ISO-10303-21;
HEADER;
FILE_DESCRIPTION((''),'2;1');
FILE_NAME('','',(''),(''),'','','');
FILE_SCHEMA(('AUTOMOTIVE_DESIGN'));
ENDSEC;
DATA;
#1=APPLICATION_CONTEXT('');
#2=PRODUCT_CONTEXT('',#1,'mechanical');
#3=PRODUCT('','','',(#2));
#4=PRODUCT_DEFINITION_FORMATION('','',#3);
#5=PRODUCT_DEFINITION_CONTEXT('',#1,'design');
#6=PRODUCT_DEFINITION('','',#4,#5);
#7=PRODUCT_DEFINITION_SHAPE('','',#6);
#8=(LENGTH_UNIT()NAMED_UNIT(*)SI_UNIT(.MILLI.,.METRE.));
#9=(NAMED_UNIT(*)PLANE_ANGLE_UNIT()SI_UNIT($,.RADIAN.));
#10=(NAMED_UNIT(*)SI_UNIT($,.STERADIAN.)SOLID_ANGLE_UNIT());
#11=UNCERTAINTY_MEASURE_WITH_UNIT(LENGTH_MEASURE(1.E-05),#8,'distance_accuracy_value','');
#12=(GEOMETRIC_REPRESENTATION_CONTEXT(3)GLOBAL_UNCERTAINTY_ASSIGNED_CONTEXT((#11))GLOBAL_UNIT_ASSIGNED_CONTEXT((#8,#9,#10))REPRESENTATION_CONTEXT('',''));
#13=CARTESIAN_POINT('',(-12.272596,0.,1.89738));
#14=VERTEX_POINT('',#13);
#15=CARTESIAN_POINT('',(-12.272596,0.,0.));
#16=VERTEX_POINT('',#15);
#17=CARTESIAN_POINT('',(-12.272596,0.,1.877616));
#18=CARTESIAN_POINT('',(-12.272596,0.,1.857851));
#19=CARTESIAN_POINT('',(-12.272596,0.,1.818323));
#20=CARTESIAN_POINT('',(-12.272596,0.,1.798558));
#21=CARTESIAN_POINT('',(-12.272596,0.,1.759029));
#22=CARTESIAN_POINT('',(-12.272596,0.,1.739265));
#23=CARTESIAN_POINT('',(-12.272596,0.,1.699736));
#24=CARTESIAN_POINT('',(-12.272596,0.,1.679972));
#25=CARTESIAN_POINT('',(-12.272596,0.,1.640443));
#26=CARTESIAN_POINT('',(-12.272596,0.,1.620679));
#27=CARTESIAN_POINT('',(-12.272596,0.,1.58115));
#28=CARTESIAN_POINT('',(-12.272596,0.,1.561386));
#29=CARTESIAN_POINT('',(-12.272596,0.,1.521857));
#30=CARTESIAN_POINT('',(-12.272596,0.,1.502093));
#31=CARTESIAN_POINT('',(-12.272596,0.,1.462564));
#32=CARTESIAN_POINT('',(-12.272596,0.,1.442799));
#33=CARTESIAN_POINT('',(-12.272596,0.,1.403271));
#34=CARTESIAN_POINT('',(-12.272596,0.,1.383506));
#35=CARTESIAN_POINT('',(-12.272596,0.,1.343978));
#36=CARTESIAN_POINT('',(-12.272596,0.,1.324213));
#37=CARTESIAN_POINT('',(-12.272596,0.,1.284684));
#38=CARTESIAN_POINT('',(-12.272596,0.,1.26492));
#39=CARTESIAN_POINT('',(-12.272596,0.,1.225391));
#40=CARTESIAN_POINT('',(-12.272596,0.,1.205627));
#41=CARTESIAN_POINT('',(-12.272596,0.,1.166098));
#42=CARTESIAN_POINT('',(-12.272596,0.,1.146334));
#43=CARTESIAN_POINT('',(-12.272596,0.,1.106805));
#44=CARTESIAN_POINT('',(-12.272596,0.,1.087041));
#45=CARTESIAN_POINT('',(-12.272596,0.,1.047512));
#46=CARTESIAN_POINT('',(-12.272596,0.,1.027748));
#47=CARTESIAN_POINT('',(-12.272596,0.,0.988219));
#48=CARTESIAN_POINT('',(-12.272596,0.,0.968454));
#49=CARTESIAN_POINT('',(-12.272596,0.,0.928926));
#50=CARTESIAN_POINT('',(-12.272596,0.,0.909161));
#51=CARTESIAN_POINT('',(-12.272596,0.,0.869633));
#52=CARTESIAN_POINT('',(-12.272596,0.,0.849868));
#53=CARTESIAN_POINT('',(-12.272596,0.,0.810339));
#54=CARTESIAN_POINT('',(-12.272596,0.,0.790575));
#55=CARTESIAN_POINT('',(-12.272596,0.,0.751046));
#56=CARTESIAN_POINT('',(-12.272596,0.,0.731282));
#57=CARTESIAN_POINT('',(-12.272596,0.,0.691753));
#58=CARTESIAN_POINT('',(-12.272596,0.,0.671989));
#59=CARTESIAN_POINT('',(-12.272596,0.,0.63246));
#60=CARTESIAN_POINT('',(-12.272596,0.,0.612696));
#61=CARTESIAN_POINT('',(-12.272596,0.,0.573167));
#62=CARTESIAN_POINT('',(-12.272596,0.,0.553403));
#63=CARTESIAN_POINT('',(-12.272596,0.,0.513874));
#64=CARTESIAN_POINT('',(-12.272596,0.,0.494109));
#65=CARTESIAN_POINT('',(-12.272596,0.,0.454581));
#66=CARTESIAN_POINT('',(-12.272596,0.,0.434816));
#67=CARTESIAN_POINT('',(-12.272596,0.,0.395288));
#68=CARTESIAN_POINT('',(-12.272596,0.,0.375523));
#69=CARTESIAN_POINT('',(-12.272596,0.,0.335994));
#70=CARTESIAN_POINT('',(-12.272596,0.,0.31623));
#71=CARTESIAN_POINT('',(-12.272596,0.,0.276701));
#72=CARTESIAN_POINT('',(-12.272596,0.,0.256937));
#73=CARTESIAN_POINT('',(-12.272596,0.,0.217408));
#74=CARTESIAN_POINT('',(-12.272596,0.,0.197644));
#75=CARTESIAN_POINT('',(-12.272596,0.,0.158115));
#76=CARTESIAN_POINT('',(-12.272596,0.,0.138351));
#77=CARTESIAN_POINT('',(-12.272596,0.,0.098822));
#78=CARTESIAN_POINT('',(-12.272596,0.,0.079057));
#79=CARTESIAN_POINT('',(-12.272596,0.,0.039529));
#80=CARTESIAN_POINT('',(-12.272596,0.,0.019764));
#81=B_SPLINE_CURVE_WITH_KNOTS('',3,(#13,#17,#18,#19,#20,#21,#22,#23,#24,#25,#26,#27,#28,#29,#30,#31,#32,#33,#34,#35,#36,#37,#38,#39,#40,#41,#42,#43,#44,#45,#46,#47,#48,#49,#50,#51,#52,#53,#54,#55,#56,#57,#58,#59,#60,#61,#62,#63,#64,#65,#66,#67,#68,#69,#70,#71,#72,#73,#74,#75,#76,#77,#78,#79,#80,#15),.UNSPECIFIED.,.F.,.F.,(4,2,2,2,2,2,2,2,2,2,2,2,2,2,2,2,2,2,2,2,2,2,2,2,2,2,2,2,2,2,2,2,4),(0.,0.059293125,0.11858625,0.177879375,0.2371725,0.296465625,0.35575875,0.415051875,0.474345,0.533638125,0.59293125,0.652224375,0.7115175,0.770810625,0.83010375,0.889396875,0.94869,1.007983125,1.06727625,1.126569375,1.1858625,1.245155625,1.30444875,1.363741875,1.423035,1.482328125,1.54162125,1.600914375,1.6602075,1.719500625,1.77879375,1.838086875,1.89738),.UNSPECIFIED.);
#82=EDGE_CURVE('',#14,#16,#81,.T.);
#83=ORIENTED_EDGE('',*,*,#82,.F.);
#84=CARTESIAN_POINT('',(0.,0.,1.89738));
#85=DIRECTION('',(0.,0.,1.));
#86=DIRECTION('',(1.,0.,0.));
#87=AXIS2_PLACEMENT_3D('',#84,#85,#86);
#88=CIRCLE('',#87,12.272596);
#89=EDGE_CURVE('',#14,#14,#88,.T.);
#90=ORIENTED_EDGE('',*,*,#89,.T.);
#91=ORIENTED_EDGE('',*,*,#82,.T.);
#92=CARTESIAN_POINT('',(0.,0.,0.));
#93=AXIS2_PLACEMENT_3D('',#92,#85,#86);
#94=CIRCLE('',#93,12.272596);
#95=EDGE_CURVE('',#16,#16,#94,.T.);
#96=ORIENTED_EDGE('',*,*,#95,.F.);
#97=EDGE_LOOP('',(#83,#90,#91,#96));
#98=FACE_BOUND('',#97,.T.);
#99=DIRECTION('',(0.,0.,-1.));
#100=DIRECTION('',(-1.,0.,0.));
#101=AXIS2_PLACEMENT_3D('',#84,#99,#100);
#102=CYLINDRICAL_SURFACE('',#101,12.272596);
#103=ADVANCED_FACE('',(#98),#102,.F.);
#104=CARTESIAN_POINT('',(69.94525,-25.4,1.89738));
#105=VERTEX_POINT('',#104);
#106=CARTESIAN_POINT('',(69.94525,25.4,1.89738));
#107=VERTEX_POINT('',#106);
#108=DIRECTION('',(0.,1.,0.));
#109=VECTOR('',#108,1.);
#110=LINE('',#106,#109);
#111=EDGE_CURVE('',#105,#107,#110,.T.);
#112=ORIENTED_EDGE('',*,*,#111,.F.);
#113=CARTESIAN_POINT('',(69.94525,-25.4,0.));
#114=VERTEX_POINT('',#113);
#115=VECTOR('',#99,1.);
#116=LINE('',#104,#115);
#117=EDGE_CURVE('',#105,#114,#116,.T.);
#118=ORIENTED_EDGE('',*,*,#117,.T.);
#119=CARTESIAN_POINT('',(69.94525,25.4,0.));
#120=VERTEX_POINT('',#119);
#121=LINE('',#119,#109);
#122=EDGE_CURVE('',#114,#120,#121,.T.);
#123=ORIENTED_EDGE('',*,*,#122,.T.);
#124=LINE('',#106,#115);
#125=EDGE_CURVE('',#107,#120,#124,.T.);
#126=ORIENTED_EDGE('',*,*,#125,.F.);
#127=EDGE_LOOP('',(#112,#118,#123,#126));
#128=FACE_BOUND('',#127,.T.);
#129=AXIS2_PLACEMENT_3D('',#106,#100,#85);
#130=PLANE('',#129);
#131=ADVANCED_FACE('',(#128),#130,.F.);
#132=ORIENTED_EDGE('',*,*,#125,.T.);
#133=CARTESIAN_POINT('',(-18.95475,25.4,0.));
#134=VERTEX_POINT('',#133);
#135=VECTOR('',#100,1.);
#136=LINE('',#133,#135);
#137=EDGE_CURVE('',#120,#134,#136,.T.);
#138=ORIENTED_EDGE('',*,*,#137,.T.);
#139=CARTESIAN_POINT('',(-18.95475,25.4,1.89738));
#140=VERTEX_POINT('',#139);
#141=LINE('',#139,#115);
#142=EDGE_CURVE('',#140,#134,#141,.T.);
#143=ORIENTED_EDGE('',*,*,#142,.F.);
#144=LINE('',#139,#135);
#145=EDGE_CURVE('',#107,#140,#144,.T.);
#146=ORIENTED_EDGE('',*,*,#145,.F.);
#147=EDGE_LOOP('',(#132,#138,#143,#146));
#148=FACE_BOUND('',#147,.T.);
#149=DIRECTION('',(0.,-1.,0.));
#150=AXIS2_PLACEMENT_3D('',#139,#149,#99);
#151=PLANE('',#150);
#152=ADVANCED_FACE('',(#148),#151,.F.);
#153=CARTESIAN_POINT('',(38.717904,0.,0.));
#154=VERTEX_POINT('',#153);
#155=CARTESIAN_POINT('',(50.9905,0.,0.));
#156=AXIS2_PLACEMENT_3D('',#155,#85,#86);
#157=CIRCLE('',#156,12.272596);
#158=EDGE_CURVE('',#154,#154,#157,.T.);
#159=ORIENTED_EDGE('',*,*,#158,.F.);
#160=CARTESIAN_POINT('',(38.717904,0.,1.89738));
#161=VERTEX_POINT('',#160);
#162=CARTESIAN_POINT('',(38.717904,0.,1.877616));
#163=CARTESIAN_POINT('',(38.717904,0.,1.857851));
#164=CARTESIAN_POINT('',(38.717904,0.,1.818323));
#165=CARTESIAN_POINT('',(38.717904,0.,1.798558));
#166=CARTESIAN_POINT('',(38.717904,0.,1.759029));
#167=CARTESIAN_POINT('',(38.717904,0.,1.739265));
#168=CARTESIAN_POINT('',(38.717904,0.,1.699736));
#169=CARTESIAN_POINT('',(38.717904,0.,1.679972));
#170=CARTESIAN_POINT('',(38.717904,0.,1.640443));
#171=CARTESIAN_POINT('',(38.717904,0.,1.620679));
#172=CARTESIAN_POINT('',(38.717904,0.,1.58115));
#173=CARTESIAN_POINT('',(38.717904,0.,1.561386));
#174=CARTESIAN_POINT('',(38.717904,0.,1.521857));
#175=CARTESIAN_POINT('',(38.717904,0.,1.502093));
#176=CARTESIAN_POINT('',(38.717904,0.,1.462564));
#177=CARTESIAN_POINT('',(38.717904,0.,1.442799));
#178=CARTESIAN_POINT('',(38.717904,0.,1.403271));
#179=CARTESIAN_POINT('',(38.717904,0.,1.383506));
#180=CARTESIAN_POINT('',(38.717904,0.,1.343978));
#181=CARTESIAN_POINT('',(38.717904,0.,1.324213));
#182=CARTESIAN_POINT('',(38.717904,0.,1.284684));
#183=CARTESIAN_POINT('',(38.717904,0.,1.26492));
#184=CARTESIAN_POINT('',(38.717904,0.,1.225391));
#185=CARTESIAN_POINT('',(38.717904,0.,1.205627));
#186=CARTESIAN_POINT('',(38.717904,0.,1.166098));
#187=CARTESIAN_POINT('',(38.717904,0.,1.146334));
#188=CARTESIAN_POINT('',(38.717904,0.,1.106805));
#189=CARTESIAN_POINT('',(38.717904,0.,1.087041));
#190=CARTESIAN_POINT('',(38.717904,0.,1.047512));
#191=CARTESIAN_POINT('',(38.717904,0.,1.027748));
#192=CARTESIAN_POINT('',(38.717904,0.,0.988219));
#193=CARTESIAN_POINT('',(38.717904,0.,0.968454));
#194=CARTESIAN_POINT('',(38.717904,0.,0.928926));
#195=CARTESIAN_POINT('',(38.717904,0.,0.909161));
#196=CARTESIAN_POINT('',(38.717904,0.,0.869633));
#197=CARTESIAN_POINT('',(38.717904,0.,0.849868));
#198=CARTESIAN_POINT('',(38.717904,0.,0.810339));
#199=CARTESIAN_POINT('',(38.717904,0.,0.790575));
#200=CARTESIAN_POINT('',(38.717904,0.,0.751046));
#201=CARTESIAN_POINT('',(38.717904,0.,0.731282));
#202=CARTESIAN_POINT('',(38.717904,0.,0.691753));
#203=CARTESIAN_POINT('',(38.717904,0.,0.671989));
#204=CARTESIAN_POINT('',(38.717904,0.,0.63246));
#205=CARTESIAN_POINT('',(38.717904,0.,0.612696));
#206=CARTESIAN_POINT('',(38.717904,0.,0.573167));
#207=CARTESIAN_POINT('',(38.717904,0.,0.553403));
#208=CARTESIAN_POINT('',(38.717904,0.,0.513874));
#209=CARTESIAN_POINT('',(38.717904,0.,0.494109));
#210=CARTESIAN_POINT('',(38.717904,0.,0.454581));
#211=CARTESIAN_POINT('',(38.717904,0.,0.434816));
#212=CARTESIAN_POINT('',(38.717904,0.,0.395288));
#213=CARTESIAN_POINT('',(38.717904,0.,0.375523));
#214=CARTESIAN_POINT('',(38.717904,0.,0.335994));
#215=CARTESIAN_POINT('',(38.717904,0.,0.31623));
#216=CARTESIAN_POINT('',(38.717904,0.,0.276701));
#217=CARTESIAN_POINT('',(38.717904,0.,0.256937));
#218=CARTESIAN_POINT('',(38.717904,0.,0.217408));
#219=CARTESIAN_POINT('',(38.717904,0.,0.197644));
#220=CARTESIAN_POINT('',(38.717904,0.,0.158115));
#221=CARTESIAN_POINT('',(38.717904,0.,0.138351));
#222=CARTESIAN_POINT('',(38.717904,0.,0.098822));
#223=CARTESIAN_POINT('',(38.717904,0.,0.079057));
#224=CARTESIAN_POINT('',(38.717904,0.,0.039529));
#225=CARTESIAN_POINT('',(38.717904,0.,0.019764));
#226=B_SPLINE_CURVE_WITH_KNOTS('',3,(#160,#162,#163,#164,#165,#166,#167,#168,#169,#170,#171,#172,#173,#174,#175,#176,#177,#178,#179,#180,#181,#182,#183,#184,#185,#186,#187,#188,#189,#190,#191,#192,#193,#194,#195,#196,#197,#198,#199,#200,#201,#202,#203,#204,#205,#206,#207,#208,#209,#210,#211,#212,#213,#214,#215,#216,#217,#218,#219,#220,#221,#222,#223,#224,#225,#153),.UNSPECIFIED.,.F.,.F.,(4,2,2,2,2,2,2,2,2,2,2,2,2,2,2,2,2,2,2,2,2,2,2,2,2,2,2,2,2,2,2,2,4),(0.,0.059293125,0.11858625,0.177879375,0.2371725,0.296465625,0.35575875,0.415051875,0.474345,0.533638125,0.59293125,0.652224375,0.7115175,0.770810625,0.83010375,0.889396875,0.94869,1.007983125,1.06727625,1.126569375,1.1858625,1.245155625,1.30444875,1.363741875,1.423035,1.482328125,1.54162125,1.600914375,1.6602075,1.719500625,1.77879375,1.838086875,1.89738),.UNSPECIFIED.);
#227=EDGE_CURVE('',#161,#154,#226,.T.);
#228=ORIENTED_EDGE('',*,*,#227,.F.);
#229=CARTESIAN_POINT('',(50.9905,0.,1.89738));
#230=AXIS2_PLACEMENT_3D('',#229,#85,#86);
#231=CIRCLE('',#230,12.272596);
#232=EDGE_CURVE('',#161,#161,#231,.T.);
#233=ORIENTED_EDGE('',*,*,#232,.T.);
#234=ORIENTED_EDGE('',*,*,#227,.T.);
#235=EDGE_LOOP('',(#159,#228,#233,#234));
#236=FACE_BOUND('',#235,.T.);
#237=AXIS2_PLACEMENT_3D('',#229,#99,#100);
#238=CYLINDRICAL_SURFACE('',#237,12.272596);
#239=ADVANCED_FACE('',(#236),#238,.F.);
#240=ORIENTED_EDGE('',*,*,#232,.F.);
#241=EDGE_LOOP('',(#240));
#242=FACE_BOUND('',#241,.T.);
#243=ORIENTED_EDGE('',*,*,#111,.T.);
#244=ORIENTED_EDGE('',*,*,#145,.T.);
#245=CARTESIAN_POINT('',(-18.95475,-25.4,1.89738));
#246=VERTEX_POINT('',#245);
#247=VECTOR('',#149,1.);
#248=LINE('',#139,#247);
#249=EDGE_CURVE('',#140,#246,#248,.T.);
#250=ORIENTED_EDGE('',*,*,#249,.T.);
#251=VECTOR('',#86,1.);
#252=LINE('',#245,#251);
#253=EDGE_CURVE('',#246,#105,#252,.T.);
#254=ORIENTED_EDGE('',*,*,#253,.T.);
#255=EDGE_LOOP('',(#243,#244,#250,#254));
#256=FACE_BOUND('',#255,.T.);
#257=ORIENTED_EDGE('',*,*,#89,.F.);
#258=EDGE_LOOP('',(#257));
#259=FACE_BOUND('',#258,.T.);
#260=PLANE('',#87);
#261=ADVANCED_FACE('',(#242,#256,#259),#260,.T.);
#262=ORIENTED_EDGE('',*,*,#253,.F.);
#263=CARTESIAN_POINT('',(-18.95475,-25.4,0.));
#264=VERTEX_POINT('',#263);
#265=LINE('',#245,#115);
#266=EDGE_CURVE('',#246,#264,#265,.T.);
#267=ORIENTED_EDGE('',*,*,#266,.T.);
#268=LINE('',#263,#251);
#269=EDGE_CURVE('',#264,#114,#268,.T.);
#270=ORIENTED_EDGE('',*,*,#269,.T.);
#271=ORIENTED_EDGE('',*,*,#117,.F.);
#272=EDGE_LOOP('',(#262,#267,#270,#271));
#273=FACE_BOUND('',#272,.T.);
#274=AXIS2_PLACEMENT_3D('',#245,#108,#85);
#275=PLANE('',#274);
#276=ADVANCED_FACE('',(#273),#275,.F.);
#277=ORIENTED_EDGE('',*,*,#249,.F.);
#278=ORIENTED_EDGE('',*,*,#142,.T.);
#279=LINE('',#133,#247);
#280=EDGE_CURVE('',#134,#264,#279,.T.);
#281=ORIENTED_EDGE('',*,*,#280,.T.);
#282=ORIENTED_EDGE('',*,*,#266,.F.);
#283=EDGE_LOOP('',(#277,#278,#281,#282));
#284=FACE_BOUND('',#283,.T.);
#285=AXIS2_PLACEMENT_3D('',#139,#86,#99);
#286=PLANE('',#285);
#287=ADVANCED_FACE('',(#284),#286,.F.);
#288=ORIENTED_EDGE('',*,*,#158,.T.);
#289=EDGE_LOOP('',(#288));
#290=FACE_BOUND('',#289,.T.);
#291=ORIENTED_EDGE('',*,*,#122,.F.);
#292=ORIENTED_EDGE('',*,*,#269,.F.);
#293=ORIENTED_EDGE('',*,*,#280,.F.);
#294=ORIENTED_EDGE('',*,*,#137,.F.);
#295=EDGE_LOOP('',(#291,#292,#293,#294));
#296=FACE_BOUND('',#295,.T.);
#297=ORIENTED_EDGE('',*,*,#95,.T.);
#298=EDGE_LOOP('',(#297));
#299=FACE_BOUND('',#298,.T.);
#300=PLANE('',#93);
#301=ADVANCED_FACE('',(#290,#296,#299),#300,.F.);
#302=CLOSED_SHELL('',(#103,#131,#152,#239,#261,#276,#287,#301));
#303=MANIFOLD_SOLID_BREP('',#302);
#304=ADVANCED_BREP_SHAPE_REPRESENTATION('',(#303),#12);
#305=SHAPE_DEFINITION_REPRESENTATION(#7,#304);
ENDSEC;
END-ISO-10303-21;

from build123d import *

# Parameters (mm, degrees)
SKETCH1_W           = 88.9
SKETCH1_H           = 50.8
SKETCH1_R           = 12.272596154
BOSS_EXTRUDE1_DEPTH = 1.89738


with BuildPart() as part:
    # Sketch1 → Boss-Extrude1 (new body)
    with BuildSketch(Plane.XY):
        with Locations((25.49525, 0)):
            Rectangle(SKETCH1_W, SKETCH1_H)
        with Locations(Location((0, 0, 0), (0, 0, 180))):
            Circle(SKETCH1_R, mode=Mode.SUBTRACT)
        with Locations(Location((50.9905, 0, 0), (0, 0, 180))):
            Circle(SKETCH1_R, mode=Mode.SUBTRACT)
    extrude(amount=BOSS_EXTRUDE1_DEPTH)


solid = part.part
